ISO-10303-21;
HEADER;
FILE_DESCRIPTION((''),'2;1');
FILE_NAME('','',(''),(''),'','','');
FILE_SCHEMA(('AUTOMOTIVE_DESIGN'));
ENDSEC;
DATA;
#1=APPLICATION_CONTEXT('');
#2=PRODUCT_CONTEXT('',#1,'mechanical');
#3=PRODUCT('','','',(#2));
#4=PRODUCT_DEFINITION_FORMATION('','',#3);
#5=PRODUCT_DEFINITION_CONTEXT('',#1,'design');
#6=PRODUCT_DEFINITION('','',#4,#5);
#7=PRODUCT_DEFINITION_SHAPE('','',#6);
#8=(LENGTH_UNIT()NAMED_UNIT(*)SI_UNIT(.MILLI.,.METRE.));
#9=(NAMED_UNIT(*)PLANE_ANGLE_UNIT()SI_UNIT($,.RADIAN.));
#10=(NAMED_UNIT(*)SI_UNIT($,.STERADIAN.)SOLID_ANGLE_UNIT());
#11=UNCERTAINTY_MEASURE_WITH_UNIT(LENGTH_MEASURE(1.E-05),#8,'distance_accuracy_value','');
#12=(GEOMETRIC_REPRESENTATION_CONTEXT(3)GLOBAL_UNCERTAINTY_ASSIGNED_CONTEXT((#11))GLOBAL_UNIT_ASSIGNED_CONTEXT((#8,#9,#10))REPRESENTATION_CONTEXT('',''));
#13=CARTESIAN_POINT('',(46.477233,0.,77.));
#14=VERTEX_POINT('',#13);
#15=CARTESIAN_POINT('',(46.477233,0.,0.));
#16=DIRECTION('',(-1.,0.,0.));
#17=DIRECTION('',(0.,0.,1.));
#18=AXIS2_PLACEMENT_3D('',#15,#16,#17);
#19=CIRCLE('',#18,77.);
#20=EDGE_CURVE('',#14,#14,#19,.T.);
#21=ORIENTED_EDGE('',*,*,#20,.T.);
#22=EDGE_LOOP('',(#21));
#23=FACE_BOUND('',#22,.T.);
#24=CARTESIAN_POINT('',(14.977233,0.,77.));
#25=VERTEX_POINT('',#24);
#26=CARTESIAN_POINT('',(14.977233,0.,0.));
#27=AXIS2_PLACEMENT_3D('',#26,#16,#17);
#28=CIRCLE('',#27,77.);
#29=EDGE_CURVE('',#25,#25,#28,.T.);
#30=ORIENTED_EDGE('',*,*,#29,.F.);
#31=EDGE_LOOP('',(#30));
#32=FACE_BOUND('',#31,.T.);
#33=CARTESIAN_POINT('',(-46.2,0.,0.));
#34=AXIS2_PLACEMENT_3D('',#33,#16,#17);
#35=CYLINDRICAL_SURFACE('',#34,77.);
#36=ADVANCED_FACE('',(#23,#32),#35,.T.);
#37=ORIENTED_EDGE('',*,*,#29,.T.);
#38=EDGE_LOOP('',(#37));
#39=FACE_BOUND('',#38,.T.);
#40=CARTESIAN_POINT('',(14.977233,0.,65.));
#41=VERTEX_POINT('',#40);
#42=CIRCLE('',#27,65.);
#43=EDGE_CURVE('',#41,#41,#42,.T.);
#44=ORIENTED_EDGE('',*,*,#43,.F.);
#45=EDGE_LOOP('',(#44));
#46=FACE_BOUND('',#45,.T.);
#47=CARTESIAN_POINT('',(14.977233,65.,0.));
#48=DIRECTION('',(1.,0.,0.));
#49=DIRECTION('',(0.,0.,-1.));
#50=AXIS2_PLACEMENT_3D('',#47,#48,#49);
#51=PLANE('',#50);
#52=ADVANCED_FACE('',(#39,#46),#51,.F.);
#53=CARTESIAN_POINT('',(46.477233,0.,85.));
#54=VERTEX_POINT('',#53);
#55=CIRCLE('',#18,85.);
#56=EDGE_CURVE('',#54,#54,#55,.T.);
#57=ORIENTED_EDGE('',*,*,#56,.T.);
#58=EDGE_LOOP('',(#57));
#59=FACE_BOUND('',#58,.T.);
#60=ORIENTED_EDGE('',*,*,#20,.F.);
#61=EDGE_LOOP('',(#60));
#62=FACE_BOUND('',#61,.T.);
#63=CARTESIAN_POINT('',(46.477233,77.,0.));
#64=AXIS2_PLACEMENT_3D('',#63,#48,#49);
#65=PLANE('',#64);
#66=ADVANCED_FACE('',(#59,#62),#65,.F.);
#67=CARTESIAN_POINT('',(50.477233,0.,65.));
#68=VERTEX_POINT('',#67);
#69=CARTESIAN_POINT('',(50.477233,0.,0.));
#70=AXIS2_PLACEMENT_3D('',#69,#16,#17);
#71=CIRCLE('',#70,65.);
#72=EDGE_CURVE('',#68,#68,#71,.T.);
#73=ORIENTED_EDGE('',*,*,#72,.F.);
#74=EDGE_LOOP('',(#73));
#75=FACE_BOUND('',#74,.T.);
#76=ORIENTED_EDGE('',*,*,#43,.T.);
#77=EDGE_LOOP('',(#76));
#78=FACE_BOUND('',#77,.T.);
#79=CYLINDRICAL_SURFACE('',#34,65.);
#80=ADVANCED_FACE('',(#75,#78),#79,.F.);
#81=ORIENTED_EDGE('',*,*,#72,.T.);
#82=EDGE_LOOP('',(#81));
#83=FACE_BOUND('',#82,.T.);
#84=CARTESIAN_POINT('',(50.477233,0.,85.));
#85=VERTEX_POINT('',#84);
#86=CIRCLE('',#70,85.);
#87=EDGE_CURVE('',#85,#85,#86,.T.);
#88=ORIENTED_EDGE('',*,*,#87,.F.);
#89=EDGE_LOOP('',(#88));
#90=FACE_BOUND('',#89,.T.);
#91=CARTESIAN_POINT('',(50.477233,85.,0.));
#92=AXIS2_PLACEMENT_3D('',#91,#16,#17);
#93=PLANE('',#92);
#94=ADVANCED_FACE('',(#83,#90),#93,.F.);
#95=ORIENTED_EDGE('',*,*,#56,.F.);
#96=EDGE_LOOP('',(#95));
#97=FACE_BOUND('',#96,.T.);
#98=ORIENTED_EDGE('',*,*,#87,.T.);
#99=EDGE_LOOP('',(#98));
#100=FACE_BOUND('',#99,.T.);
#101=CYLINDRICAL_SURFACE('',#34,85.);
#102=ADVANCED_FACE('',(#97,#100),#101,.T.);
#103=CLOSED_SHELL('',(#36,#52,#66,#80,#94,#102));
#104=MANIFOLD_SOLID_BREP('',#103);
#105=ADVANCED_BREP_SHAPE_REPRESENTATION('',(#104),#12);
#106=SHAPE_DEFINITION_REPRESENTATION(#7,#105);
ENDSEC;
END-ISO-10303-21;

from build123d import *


with BuildPart() as part:
    # Sketch3 → Boccola (revolve)
    with BuildSketch(Plane.XY, mode=Mode.PRIVATE) as boccola_sk:
        Polygon((14.977233333, 77), (46.477233333, 77), (46.477233333, 85), (50.477233333, 85), (50.477233333, 65), (14.977233333, 65), align=None)
    revolve(boccola_sk.sketch.rotate(Axis((-46.2, 0, 0), (1, 0, 0)), 90), axis=Axis((-46.2, 0, 0), (1, 0, 0)))


solid = part.part
